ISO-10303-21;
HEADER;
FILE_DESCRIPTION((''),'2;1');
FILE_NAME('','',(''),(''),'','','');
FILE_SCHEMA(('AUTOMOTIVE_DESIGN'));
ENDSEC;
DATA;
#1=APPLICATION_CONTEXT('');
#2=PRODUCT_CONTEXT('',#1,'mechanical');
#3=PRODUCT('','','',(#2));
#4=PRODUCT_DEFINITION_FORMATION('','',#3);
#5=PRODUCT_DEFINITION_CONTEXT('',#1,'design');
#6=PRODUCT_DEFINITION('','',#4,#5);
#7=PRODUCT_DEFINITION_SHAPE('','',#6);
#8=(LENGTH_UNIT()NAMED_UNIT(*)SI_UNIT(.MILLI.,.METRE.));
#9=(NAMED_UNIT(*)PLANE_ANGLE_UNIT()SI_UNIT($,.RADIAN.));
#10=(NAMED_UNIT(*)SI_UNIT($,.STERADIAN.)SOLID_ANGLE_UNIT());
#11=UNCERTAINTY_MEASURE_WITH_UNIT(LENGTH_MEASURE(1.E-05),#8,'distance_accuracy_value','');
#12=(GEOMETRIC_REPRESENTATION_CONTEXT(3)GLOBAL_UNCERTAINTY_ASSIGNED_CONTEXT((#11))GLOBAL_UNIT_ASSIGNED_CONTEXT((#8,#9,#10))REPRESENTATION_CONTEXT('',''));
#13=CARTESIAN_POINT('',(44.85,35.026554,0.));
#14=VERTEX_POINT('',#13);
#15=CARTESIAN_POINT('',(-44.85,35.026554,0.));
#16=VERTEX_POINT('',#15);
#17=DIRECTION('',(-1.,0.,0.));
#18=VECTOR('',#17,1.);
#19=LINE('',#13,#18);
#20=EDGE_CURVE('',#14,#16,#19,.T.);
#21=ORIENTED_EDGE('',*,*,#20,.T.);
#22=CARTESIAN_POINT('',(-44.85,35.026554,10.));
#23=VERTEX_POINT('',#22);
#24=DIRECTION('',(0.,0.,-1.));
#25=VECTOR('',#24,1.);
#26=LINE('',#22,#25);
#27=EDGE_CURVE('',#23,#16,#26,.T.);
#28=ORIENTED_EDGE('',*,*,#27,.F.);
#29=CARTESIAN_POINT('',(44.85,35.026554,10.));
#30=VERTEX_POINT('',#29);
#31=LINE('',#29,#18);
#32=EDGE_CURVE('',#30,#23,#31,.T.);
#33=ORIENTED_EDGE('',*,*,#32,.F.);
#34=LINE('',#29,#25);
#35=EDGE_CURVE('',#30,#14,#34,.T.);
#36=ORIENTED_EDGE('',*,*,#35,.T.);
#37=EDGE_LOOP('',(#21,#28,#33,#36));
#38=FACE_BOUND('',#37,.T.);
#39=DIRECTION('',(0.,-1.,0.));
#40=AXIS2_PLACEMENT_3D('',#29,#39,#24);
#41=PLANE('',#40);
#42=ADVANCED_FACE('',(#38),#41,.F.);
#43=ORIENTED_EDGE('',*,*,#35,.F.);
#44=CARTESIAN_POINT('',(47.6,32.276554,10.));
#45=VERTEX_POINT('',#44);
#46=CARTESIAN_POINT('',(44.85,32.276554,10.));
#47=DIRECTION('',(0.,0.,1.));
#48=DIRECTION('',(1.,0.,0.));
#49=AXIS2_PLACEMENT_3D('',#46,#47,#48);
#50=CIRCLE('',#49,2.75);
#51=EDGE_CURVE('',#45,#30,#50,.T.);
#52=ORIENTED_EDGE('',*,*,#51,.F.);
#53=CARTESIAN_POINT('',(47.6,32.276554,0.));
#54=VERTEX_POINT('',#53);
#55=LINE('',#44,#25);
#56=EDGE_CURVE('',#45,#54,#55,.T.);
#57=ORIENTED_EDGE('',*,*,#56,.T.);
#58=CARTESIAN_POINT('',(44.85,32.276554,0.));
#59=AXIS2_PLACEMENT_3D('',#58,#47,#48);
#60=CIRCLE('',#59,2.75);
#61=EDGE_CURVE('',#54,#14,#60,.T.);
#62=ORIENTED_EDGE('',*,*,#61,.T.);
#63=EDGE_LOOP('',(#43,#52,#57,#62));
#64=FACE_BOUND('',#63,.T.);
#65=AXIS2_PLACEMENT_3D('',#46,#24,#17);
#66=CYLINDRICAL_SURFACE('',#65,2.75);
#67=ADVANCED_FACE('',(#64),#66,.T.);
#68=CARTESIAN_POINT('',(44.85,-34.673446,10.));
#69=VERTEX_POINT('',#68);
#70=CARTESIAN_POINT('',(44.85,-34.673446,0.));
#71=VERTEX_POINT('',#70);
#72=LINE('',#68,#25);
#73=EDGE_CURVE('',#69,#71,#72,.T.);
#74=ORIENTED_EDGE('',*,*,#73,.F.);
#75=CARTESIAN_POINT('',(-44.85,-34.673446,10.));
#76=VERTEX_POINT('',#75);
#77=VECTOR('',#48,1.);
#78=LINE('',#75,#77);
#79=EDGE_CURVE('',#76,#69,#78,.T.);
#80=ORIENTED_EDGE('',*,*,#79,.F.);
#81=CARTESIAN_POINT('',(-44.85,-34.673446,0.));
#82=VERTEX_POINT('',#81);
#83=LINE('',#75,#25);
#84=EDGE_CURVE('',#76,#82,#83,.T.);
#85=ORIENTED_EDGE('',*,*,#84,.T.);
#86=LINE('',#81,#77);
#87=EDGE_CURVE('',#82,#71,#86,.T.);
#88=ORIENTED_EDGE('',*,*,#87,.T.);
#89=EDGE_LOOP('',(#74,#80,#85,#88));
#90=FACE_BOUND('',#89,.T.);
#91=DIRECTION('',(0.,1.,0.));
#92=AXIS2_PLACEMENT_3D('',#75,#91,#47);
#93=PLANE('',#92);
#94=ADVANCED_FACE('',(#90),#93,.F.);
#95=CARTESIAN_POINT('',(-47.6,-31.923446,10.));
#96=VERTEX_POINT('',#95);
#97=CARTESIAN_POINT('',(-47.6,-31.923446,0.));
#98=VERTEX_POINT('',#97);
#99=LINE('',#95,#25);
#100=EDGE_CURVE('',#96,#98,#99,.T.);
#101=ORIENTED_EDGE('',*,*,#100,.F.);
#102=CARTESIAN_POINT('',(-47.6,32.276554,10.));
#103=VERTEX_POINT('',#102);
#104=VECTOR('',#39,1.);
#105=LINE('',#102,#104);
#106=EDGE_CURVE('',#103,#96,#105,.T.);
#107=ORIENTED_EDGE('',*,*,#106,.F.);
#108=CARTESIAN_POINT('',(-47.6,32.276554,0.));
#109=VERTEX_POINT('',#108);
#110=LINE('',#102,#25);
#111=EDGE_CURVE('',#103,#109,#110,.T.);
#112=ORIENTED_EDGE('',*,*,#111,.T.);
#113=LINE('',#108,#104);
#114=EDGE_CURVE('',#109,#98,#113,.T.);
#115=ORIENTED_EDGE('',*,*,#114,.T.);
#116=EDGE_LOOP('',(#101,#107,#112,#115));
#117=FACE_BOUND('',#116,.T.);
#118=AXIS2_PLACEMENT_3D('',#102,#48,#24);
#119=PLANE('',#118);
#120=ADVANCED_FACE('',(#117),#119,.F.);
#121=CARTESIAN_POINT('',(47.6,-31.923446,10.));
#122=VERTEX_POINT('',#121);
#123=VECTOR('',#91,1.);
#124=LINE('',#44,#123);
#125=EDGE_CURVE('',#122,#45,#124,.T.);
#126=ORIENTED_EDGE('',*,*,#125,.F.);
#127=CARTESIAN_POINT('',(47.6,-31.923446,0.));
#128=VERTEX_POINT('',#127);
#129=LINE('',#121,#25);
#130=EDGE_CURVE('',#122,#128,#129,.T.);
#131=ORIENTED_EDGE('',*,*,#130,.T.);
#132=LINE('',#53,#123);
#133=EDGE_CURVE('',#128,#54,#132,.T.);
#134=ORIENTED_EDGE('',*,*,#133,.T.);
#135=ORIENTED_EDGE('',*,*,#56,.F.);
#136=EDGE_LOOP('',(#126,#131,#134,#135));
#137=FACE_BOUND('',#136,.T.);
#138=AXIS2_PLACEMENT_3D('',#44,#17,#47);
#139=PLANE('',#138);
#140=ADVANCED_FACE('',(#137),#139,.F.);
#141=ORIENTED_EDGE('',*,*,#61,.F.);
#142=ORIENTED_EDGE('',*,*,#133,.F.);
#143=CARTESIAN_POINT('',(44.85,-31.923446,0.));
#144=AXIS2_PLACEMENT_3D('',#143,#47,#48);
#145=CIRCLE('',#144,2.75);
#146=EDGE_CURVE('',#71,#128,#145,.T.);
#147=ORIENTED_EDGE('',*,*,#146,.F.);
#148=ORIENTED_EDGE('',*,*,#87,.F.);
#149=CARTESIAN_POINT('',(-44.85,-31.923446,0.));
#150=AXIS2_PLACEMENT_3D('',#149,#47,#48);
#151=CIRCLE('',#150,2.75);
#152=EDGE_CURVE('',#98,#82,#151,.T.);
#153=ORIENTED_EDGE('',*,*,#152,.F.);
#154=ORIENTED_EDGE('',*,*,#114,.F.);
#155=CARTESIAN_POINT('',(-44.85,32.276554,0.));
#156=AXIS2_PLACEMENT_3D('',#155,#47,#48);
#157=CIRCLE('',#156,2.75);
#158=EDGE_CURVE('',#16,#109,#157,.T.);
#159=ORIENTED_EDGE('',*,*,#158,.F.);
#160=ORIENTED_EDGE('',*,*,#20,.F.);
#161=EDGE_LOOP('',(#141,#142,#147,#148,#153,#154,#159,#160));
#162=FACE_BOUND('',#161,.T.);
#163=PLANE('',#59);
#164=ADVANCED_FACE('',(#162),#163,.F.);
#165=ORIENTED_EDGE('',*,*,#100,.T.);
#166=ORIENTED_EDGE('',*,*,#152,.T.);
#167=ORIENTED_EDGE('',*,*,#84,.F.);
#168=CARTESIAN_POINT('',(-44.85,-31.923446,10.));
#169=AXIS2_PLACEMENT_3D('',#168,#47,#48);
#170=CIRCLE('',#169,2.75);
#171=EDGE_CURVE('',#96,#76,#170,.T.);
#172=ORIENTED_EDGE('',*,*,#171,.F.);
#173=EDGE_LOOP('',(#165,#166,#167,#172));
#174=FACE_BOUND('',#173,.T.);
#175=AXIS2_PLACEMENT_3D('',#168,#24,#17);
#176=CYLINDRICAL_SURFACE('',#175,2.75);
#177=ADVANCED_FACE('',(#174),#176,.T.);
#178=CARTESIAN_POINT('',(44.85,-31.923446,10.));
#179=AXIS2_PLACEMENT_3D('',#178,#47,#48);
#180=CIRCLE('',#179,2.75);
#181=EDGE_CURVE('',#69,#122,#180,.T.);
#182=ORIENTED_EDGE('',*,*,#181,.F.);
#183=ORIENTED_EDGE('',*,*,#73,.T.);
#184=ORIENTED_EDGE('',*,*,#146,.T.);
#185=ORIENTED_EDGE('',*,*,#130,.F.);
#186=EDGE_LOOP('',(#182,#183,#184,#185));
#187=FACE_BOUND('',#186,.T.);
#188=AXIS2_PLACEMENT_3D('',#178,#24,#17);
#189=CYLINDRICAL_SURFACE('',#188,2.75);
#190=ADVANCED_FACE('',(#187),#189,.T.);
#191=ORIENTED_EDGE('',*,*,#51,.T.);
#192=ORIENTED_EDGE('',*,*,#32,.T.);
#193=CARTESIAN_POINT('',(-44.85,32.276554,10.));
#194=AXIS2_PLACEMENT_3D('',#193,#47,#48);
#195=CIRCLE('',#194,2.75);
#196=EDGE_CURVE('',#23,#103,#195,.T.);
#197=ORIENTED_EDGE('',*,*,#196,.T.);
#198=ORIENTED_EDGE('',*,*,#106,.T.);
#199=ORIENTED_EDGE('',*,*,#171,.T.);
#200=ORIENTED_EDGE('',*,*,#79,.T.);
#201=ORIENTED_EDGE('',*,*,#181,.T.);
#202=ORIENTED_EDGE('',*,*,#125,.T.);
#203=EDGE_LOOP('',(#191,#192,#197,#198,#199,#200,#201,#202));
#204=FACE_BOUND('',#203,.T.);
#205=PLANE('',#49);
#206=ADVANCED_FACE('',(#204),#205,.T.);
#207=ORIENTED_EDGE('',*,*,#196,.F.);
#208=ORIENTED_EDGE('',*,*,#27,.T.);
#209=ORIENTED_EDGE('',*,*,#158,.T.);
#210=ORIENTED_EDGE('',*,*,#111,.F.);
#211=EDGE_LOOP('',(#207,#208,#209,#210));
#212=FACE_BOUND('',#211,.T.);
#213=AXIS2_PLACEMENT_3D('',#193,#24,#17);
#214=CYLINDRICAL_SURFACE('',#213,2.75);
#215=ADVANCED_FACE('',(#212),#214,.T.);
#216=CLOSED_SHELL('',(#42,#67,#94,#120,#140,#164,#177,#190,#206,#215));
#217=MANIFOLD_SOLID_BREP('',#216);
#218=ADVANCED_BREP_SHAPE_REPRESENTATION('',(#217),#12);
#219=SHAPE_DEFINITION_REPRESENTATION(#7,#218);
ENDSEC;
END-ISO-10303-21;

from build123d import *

# Parameters (mm, degrees)
BOSS_EXTRUDE1_DEPTH = 10


with BuildPart() as part:
    # Sketch2 → Boss-Extrude1 (new body)
    with BuildSketch(Plane.XY):
        with BuildLine():
            Line((-47.6, 32.276554225), (-47.6, -31.923445775))
            ThreePointArc((-47.6, -31.923445775), (-46.794543648, -33.867989423), (-44.85, -34.673445775))
            Line((-44.85, -34.673445775), (44.85, -34.673445775))
            ThreePointArc((44.85, -34.673445775), (46.794543648, -33.867989423), (47.6, -31.923445775))
            Line((47.6, -31.923445775), (47.6, 32.276554225))
            ThreePointArc((47.6, 32.276554225), (46.794543648, 34.221097873), (44.85, 35.026554225))
            Line((44.85, 35.026554225), (-44.85, 35.026554225))
            ThreePointArc((-44.85, 35.026554225), (-46.794543648, 34.221097873), (-47.6, 32.276554225))
        make_face()
    extrude(amount=BOSS_EXTRUDE1_DEPTH)


solid = part.part
